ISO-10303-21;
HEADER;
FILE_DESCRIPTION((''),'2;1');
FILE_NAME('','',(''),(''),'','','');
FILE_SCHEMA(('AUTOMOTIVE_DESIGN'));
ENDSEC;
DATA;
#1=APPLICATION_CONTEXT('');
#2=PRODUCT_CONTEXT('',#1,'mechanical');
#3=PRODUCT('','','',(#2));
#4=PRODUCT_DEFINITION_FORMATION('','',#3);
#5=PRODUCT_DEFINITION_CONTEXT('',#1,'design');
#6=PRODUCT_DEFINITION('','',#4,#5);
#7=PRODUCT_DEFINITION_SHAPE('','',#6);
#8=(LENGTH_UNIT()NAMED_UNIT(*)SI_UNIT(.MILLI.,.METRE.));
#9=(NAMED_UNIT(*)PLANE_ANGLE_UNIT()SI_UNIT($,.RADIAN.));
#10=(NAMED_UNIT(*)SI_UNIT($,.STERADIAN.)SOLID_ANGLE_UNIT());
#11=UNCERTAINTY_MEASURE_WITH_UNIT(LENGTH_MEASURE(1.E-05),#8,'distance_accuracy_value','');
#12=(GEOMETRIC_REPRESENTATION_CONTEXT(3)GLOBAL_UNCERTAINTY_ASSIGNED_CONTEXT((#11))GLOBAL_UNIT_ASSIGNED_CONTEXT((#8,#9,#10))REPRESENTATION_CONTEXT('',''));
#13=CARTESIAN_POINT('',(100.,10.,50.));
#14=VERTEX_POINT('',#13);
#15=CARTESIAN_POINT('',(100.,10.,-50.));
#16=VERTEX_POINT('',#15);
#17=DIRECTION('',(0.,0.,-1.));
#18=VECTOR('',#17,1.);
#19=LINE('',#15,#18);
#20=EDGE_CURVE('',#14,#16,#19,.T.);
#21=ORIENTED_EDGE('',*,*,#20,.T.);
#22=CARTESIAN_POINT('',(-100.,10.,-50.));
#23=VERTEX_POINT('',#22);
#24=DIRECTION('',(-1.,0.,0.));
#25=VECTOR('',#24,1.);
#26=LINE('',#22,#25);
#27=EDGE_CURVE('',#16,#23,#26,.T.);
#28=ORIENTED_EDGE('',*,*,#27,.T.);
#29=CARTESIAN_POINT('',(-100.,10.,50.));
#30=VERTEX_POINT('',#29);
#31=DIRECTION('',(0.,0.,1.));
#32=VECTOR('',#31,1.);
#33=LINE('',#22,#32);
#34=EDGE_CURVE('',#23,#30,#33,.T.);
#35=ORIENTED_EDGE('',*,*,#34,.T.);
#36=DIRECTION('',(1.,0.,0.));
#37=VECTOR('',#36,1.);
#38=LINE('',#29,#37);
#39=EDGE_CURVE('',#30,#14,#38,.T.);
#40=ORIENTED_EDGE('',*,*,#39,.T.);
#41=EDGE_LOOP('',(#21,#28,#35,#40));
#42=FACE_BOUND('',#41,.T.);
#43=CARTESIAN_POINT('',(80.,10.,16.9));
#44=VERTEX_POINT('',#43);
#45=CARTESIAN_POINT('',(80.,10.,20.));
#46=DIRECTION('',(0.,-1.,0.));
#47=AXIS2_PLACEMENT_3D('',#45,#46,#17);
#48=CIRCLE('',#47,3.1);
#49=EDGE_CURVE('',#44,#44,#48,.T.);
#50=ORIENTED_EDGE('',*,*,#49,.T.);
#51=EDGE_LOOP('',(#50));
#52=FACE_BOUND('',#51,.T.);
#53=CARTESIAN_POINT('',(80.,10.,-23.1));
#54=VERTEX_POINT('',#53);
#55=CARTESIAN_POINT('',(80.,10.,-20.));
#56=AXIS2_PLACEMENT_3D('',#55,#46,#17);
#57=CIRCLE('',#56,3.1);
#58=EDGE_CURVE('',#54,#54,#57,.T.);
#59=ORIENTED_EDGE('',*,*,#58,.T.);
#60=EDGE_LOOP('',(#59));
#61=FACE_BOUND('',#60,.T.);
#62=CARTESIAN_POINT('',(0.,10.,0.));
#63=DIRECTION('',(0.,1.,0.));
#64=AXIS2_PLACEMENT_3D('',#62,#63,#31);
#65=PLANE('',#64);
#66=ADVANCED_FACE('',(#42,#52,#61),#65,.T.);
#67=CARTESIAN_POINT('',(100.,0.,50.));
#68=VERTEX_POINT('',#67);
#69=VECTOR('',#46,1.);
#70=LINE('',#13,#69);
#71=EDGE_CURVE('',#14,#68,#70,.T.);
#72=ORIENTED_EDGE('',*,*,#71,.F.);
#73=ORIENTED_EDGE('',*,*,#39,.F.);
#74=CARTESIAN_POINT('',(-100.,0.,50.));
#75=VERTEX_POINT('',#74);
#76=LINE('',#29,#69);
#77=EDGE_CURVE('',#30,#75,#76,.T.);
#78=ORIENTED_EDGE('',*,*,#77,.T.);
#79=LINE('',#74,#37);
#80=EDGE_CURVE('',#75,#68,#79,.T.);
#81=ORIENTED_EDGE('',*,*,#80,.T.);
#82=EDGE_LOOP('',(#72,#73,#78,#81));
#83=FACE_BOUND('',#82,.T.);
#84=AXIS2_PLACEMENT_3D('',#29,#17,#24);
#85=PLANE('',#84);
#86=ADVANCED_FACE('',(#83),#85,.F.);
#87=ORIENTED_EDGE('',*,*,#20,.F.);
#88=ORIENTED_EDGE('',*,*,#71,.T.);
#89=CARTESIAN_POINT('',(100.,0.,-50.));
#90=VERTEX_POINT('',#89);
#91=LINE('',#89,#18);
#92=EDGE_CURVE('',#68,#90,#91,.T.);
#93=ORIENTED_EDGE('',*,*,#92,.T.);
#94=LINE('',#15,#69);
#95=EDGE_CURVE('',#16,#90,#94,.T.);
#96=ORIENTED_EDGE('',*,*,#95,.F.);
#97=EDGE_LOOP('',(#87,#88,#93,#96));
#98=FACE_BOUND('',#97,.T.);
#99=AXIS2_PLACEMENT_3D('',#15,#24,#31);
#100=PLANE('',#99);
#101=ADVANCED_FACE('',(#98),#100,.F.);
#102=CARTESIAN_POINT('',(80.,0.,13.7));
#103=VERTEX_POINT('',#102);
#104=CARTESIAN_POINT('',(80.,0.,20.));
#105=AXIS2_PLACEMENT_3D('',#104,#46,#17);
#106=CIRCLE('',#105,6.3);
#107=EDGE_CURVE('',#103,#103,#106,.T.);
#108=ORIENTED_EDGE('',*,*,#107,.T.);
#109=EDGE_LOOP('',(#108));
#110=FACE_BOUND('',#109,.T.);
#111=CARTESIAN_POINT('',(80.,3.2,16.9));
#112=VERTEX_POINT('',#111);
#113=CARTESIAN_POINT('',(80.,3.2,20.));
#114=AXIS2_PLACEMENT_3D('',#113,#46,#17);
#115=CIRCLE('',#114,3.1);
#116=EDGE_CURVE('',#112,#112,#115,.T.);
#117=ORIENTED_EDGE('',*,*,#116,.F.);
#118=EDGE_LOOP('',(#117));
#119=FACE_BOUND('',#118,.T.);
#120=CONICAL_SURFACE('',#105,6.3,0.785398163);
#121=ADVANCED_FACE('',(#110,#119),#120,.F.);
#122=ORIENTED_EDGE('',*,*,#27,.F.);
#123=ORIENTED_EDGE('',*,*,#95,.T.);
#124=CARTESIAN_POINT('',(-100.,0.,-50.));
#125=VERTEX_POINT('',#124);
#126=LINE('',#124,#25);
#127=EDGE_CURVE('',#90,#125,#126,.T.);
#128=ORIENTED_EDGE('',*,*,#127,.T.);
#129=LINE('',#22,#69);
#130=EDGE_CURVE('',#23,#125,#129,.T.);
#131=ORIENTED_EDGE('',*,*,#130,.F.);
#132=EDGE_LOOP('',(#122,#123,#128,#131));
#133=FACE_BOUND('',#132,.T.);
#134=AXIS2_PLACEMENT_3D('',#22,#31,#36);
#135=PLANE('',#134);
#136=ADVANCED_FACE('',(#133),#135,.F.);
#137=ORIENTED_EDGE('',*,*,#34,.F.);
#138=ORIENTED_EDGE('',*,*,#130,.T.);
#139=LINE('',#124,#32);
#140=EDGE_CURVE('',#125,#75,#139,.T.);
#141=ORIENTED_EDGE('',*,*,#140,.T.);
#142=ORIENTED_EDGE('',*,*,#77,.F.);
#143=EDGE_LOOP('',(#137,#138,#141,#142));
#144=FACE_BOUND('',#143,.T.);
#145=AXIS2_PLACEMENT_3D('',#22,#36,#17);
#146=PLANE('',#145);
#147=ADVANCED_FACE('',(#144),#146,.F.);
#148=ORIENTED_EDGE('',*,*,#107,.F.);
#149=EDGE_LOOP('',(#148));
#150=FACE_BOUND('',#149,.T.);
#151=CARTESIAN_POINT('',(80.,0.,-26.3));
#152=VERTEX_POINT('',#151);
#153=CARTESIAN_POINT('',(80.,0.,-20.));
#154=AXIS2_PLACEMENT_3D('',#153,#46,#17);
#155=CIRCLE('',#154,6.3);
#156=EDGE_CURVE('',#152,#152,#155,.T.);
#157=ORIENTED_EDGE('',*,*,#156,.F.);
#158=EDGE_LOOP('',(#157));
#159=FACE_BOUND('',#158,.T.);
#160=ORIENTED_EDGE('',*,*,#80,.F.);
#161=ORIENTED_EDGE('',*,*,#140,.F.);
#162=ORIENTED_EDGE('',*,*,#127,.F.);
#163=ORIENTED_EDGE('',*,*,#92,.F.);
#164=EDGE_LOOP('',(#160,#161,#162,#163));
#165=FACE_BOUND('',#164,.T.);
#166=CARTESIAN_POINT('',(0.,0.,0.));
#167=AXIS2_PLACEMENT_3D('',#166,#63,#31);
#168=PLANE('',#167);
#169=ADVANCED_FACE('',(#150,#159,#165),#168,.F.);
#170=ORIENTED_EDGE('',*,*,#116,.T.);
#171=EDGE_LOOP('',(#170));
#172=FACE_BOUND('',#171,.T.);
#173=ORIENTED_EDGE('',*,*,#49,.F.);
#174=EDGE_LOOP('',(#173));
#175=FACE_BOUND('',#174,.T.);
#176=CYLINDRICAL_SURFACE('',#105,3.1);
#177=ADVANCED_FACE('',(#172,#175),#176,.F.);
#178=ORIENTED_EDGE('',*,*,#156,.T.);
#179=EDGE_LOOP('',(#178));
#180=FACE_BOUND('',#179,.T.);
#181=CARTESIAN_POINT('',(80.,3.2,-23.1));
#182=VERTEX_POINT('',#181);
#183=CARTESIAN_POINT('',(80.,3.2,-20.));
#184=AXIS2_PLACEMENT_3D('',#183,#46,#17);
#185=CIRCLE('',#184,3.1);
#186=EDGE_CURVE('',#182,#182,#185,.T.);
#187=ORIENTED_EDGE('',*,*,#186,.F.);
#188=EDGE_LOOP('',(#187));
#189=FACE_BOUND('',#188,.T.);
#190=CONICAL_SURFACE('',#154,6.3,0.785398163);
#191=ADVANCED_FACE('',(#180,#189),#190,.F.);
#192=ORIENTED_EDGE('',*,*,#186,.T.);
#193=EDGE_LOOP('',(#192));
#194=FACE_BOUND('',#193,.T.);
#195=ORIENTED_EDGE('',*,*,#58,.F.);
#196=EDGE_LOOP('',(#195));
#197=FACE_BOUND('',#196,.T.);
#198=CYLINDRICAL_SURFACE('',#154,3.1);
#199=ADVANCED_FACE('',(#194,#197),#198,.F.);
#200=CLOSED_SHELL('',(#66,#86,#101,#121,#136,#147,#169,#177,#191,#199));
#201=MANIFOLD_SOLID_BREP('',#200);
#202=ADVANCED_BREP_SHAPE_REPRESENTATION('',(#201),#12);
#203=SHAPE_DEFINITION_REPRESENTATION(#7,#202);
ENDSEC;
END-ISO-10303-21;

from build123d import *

# Parameters (mm, degrees)
ESQUISSE1_W                                    = 200
ESQUISSE1_H                                    = 100
BOSS_EXTRU_1_DEPTH                             = 10
FRAISAGE_POUR_VIS_T_TE_FRAIS_E_M61_D           = 6.2
FRAISAGE_POUR_VIS_T_TE_FRAIS_E_M61_CSINK_D     = 12.6
FRAISAGE_POUR_VIS_T_TE_FRAIS_E_M61_CSINK_ANGLE = 90


with BuildPart() as part:
    # Esquisse1 → Boss.-Extru.1 (new body)
    with BuildSketch(Plane(origin=(0, 0, 0), x_dir=(1, 0, 0), z_dir=(0, 1, 0))):
        Rectangle(ESQUISSE1_W, ESQUISSE1_H)
    extrude(amount=BOSS_EXTRU_1_DEPTH)

    # Fraisage pour vis à tête fraisée M61 (through all)
    with Locations(Plane(origin=(0, 0, 0), x_dir=(-1, 0, 0), z_dir=(0, -1, 0))):
        with Locations((-80, 20), (-80, -20)):
            CounterSinkHole(FRAISAGE_POUR_VIS_T_TE_FRAIS_E_M61_D / 2, FRAISAGE_POUR_VIS_T_TE_FRAIS_E_M61_CSINK_D / 2, counter_sink_angle=FRAISAGE_POUR_VIS_T_TE_FRAIS_E_M61_CSINK_ANGLE)


solid = part.part
